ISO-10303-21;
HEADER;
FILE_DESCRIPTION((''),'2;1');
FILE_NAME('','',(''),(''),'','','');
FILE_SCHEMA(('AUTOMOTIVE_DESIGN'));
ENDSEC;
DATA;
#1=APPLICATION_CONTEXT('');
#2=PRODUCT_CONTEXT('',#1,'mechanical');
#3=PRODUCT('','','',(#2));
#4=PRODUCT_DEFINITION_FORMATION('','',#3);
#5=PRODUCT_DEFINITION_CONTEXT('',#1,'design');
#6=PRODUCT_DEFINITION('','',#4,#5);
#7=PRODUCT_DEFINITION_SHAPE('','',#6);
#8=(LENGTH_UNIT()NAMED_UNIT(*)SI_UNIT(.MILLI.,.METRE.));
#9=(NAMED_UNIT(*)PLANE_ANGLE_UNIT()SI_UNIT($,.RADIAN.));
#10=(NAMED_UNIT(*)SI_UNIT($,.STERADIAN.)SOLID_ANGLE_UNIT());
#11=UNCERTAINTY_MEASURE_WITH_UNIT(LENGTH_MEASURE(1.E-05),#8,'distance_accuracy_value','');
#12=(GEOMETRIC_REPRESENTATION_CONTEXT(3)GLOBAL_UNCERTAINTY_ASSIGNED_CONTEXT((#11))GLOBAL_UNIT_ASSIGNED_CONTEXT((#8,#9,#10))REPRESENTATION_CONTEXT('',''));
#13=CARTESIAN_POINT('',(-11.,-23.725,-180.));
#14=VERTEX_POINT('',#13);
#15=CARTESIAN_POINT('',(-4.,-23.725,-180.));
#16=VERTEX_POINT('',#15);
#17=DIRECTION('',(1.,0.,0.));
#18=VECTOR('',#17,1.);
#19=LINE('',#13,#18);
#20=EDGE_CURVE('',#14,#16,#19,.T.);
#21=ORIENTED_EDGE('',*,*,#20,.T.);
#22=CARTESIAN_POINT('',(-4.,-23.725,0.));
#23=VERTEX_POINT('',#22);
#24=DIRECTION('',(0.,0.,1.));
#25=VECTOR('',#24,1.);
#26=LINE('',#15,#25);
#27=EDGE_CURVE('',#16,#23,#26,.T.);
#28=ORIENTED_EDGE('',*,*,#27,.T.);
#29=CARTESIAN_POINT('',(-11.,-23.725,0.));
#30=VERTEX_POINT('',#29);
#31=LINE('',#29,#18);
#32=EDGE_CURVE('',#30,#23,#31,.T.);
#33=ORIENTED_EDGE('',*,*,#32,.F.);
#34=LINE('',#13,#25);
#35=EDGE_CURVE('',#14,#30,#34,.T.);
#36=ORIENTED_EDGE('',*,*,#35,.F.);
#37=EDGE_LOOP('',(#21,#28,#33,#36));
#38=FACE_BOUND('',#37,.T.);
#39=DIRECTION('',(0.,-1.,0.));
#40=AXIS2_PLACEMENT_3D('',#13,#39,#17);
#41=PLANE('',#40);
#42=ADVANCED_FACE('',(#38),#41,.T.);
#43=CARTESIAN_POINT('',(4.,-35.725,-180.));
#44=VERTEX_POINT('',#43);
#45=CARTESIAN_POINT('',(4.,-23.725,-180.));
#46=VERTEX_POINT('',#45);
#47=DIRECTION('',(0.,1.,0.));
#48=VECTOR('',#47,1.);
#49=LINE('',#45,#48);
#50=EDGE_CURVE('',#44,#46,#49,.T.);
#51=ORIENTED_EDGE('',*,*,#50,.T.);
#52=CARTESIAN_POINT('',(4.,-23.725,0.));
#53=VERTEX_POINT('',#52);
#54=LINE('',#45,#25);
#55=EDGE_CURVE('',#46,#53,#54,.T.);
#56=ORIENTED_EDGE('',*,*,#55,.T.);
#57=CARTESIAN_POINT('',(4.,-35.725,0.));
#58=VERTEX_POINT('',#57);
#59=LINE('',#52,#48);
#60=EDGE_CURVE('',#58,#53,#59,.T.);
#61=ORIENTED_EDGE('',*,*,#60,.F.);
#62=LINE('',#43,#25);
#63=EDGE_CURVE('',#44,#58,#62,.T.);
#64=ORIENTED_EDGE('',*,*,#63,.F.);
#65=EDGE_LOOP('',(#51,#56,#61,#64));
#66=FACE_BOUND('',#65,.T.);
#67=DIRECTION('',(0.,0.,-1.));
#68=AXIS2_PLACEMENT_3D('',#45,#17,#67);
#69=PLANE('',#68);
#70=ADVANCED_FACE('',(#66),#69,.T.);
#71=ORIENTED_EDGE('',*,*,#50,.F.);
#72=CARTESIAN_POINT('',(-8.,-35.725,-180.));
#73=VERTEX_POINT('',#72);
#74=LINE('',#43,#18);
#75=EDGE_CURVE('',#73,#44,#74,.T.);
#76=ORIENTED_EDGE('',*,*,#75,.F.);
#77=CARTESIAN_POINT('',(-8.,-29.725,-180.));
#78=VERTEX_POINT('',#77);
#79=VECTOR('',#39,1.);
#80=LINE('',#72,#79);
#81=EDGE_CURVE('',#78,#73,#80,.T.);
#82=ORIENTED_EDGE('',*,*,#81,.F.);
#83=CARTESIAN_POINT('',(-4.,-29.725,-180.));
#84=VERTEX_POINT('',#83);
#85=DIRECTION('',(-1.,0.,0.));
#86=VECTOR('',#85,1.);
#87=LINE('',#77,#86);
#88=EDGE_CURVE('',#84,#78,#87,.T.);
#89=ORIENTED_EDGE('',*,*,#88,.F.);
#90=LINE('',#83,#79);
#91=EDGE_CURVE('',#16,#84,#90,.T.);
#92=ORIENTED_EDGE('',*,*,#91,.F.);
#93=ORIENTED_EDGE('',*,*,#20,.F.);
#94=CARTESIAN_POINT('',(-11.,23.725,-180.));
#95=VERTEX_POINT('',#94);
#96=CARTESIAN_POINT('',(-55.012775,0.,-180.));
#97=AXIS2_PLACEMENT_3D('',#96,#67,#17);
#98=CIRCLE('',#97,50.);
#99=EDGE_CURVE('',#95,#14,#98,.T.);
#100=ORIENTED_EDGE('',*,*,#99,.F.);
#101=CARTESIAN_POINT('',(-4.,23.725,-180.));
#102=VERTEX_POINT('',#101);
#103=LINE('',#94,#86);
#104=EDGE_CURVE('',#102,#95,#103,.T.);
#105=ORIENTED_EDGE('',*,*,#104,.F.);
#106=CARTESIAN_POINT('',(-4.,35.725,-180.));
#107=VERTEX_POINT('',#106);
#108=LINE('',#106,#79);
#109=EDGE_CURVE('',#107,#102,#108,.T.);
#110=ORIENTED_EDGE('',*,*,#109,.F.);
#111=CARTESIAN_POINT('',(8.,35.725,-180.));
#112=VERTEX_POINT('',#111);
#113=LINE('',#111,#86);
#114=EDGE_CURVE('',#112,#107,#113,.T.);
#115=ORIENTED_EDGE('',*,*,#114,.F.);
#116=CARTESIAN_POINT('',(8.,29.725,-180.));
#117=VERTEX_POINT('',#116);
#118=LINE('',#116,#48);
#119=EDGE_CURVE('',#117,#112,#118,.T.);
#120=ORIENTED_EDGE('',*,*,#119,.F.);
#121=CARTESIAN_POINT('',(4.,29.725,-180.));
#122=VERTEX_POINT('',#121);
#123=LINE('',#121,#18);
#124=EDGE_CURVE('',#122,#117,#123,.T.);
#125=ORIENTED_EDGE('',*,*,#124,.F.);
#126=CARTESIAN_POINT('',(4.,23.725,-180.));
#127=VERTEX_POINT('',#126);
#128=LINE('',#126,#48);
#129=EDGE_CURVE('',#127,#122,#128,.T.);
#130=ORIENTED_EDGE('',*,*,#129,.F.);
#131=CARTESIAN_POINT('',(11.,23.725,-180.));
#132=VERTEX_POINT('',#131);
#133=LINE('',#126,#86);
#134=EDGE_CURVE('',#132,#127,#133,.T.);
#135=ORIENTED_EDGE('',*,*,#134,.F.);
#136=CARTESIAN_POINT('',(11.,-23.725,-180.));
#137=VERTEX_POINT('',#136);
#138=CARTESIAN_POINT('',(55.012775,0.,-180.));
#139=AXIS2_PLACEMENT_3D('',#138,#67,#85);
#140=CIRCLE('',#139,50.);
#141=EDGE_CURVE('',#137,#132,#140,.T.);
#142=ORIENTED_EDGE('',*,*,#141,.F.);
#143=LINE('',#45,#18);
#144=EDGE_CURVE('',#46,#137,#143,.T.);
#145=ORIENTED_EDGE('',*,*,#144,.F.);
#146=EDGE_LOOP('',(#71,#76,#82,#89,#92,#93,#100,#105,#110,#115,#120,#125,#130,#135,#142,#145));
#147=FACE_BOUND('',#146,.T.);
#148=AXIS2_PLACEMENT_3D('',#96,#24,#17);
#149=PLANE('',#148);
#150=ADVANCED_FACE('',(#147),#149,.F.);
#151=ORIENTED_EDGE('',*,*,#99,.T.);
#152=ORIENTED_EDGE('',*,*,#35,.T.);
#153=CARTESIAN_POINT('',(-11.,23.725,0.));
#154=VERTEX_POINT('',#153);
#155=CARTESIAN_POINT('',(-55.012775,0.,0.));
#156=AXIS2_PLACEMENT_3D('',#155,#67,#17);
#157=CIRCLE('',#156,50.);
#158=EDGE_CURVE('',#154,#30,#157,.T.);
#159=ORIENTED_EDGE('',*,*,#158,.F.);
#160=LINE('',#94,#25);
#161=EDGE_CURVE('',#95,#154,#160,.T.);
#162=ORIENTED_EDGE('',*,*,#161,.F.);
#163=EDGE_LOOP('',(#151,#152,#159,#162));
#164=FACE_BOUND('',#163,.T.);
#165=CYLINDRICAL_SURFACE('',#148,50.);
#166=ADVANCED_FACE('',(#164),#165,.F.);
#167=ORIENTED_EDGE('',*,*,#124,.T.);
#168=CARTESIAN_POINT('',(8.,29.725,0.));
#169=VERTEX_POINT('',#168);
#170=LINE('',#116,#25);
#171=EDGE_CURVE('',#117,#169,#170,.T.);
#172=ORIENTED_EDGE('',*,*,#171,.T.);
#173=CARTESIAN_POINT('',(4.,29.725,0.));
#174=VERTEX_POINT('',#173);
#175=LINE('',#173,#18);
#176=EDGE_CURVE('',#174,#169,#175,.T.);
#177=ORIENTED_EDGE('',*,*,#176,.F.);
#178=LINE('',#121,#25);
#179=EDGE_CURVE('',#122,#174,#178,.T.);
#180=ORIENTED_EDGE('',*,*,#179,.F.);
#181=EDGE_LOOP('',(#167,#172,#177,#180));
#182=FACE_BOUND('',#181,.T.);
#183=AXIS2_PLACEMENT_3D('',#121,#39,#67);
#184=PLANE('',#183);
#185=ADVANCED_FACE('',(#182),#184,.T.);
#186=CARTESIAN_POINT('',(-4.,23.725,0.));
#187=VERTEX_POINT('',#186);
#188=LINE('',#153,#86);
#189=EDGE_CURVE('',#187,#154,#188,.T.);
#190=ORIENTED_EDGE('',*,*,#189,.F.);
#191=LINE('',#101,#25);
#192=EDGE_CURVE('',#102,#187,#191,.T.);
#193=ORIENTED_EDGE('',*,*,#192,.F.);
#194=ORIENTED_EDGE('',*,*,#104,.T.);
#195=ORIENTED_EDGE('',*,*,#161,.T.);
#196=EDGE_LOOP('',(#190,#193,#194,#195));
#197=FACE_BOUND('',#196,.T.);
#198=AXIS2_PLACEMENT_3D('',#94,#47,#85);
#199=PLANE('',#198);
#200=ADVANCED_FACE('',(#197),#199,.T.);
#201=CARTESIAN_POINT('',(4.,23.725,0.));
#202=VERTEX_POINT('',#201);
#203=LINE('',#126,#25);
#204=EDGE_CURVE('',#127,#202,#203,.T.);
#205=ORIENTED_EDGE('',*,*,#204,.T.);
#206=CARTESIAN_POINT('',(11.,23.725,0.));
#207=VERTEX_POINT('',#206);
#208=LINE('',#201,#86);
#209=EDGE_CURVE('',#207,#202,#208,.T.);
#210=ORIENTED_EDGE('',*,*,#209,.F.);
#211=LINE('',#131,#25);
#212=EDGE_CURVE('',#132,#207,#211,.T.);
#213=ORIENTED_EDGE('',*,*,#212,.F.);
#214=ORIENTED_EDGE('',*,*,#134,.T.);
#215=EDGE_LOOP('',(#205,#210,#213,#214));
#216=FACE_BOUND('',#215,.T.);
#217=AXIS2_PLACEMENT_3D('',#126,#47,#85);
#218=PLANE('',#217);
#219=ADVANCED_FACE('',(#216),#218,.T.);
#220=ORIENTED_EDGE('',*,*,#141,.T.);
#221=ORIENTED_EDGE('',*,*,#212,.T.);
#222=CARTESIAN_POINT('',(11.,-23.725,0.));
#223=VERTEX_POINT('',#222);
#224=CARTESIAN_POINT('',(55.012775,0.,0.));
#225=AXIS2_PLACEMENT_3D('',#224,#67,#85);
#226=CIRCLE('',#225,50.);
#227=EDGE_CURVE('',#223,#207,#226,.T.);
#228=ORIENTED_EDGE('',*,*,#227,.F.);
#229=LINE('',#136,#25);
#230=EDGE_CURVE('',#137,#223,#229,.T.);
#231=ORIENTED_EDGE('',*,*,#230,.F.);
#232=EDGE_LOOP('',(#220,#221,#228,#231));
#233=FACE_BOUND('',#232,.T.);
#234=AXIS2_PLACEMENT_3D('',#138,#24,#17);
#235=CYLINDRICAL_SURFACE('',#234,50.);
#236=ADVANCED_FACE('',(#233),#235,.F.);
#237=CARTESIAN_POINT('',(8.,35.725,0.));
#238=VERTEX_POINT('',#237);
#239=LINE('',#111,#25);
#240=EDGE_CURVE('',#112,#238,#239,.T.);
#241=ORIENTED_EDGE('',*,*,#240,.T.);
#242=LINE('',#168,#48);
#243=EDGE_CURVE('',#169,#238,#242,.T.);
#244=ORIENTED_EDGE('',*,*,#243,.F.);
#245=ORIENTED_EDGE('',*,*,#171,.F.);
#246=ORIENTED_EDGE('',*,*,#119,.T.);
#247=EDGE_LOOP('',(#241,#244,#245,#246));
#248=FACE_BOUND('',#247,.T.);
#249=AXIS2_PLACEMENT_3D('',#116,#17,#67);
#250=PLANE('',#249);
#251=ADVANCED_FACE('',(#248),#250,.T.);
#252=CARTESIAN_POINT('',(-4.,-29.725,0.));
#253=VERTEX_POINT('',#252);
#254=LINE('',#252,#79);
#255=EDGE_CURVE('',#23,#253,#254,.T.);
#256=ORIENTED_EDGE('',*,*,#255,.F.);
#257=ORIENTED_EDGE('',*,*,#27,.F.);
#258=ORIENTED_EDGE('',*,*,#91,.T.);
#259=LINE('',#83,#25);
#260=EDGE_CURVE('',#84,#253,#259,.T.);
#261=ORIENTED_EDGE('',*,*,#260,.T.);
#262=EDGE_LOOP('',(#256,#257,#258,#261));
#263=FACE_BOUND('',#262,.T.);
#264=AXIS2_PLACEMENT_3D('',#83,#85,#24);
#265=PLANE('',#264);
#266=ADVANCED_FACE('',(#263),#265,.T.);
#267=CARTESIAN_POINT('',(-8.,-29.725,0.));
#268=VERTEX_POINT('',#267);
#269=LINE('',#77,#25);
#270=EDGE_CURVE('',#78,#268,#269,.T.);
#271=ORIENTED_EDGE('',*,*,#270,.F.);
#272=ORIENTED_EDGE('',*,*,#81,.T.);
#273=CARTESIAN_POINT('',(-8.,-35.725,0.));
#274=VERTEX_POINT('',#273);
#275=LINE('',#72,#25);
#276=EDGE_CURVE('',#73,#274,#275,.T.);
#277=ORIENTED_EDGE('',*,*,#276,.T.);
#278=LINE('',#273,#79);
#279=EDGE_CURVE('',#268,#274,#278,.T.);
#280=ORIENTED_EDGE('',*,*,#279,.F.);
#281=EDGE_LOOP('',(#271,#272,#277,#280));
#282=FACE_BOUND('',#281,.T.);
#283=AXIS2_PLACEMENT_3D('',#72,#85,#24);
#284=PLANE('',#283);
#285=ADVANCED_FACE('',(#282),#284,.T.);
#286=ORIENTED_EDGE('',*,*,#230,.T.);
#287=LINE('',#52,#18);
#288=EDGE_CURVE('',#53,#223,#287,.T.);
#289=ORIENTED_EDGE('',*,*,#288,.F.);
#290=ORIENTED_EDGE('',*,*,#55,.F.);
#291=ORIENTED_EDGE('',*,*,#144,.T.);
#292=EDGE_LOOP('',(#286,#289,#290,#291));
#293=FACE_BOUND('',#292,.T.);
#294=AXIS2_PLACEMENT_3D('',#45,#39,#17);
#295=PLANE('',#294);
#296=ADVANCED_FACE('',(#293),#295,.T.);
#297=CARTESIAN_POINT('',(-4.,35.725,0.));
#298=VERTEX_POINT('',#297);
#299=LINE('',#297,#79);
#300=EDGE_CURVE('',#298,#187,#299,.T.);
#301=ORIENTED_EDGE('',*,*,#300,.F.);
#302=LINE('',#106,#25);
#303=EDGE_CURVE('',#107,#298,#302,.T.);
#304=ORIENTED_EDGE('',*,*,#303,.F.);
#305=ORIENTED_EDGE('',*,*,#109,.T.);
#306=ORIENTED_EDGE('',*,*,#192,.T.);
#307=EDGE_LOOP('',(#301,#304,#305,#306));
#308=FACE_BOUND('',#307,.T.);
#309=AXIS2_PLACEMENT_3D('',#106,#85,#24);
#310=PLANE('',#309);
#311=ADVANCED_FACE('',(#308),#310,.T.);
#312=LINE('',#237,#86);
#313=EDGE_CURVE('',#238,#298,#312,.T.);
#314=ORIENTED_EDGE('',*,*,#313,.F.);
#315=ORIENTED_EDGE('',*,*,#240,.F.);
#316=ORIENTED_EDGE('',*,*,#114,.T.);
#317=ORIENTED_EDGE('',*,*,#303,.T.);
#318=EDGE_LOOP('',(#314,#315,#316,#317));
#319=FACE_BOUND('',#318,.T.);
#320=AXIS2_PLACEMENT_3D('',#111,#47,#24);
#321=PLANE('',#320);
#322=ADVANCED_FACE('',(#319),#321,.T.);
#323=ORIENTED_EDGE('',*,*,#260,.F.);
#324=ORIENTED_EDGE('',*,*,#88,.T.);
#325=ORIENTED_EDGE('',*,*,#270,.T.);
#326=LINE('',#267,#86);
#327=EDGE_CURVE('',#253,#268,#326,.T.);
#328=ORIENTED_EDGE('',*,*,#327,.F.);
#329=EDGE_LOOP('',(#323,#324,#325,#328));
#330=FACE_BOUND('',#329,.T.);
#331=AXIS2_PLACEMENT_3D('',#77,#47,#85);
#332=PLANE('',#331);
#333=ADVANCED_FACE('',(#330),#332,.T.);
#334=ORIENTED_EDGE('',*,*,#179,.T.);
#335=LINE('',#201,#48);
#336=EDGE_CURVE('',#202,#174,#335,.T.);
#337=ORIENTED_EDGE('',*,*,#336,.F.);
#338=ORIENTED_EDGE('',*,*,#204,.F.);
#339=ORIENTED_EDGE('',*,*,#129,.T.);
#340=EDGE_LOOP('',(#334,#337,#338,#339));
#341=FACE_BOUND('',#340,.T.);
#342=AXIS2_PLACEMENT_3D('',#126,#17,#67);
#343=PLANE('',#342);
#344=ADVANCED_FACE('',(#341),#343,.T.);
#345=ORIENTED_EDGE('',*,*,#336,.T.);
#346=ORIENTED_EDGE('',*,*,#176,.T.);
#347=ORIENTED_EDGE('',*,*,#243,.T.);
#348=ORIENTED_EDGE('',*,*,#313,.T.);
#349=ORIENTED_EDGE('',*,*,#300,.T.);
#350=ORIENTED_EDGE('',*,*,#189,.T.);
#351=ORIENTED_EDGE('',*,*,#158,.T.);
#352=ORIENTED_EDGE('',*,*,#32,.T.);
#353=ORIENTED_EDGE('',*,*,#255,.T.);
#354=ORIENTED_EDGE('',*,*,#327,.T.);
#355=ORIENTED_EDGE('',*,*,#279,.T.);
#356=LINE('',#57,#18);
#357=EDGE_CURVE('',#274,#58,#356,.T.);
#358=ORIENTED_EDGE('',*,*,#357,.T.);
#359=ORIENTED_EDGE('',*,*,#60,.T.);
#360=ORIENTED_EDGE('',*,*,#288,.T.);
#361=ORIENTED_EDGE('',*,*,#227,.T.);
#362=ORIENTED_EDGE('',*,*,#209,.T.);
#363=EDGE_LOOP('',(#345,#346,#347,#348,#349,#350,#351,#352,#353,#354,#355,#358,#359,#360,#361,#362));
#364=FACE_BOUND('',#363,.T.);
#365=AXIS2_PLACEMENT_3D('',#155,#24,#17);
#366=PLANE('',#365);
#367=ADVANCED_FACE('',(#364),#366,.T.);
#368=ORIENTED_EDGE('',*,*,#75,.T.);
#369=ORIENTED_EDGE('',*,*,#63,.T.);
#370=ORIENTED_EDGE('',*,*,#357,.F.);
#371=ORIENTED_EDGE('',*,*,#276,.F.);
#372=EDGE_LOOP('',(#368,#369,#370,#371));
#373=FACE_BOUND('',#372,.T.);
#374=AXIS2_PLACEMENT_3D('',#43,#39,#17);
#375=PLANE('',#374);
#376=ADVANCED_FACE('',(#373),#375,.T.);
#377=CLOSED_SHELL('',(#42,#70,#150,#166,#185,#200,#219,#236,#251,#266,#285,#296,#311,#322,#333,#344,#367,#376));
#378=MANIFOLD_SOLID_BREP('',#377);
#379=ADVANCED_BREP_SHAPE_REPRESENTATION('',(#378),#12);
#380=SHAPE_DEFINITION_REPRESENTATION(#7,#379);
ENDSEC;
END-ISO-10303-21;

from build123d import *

# Parameters (mm, degrees)
EXTRUDE_1_DEPTH = 180


with BuildPart() as part:
    # Эскиз1 → Бобышка-Вытянуть1 (new body)
    with BuildSketch(Plane.XY):
        with BuildLine():
            Line((-11, -23.725), (-4, -23.725))
            Line((-4, -23.725), (-4, -29.725))
            Line((-4, -29.725), (-8, -29.725))
            Line((-8, -29.725), (-8, -35.725))
            Line((-8, -35.725), (4, -35.725))
            Line((4, -35.725), (4, -23.725))
            Line((4, -23.725), (11, -23.725))
            ThreePointArc((11, -23.725), (5.012775134, 0), (11, 23.725))
            Line((11, 23.725), (4, 23.725))
            Line((4, 23.725), (4, 29.725))
            Line((4, 29.725), (8, 29.725))
            Line((8, 29.725), (8, 35.725))
            Line((8, 35.725), (-4, 35.725))
            Line((-4, 35.725), (-4, 23.725))
            Line((-4, 23.725), (-11, 23.725))
            ThreePointArc((-11, 23.725), (-5.012775134, 0), (-11, -23.725))
        make_face()
    extrude(amount=-EXTRUDE_1_DEPTH)


solid = part.part
